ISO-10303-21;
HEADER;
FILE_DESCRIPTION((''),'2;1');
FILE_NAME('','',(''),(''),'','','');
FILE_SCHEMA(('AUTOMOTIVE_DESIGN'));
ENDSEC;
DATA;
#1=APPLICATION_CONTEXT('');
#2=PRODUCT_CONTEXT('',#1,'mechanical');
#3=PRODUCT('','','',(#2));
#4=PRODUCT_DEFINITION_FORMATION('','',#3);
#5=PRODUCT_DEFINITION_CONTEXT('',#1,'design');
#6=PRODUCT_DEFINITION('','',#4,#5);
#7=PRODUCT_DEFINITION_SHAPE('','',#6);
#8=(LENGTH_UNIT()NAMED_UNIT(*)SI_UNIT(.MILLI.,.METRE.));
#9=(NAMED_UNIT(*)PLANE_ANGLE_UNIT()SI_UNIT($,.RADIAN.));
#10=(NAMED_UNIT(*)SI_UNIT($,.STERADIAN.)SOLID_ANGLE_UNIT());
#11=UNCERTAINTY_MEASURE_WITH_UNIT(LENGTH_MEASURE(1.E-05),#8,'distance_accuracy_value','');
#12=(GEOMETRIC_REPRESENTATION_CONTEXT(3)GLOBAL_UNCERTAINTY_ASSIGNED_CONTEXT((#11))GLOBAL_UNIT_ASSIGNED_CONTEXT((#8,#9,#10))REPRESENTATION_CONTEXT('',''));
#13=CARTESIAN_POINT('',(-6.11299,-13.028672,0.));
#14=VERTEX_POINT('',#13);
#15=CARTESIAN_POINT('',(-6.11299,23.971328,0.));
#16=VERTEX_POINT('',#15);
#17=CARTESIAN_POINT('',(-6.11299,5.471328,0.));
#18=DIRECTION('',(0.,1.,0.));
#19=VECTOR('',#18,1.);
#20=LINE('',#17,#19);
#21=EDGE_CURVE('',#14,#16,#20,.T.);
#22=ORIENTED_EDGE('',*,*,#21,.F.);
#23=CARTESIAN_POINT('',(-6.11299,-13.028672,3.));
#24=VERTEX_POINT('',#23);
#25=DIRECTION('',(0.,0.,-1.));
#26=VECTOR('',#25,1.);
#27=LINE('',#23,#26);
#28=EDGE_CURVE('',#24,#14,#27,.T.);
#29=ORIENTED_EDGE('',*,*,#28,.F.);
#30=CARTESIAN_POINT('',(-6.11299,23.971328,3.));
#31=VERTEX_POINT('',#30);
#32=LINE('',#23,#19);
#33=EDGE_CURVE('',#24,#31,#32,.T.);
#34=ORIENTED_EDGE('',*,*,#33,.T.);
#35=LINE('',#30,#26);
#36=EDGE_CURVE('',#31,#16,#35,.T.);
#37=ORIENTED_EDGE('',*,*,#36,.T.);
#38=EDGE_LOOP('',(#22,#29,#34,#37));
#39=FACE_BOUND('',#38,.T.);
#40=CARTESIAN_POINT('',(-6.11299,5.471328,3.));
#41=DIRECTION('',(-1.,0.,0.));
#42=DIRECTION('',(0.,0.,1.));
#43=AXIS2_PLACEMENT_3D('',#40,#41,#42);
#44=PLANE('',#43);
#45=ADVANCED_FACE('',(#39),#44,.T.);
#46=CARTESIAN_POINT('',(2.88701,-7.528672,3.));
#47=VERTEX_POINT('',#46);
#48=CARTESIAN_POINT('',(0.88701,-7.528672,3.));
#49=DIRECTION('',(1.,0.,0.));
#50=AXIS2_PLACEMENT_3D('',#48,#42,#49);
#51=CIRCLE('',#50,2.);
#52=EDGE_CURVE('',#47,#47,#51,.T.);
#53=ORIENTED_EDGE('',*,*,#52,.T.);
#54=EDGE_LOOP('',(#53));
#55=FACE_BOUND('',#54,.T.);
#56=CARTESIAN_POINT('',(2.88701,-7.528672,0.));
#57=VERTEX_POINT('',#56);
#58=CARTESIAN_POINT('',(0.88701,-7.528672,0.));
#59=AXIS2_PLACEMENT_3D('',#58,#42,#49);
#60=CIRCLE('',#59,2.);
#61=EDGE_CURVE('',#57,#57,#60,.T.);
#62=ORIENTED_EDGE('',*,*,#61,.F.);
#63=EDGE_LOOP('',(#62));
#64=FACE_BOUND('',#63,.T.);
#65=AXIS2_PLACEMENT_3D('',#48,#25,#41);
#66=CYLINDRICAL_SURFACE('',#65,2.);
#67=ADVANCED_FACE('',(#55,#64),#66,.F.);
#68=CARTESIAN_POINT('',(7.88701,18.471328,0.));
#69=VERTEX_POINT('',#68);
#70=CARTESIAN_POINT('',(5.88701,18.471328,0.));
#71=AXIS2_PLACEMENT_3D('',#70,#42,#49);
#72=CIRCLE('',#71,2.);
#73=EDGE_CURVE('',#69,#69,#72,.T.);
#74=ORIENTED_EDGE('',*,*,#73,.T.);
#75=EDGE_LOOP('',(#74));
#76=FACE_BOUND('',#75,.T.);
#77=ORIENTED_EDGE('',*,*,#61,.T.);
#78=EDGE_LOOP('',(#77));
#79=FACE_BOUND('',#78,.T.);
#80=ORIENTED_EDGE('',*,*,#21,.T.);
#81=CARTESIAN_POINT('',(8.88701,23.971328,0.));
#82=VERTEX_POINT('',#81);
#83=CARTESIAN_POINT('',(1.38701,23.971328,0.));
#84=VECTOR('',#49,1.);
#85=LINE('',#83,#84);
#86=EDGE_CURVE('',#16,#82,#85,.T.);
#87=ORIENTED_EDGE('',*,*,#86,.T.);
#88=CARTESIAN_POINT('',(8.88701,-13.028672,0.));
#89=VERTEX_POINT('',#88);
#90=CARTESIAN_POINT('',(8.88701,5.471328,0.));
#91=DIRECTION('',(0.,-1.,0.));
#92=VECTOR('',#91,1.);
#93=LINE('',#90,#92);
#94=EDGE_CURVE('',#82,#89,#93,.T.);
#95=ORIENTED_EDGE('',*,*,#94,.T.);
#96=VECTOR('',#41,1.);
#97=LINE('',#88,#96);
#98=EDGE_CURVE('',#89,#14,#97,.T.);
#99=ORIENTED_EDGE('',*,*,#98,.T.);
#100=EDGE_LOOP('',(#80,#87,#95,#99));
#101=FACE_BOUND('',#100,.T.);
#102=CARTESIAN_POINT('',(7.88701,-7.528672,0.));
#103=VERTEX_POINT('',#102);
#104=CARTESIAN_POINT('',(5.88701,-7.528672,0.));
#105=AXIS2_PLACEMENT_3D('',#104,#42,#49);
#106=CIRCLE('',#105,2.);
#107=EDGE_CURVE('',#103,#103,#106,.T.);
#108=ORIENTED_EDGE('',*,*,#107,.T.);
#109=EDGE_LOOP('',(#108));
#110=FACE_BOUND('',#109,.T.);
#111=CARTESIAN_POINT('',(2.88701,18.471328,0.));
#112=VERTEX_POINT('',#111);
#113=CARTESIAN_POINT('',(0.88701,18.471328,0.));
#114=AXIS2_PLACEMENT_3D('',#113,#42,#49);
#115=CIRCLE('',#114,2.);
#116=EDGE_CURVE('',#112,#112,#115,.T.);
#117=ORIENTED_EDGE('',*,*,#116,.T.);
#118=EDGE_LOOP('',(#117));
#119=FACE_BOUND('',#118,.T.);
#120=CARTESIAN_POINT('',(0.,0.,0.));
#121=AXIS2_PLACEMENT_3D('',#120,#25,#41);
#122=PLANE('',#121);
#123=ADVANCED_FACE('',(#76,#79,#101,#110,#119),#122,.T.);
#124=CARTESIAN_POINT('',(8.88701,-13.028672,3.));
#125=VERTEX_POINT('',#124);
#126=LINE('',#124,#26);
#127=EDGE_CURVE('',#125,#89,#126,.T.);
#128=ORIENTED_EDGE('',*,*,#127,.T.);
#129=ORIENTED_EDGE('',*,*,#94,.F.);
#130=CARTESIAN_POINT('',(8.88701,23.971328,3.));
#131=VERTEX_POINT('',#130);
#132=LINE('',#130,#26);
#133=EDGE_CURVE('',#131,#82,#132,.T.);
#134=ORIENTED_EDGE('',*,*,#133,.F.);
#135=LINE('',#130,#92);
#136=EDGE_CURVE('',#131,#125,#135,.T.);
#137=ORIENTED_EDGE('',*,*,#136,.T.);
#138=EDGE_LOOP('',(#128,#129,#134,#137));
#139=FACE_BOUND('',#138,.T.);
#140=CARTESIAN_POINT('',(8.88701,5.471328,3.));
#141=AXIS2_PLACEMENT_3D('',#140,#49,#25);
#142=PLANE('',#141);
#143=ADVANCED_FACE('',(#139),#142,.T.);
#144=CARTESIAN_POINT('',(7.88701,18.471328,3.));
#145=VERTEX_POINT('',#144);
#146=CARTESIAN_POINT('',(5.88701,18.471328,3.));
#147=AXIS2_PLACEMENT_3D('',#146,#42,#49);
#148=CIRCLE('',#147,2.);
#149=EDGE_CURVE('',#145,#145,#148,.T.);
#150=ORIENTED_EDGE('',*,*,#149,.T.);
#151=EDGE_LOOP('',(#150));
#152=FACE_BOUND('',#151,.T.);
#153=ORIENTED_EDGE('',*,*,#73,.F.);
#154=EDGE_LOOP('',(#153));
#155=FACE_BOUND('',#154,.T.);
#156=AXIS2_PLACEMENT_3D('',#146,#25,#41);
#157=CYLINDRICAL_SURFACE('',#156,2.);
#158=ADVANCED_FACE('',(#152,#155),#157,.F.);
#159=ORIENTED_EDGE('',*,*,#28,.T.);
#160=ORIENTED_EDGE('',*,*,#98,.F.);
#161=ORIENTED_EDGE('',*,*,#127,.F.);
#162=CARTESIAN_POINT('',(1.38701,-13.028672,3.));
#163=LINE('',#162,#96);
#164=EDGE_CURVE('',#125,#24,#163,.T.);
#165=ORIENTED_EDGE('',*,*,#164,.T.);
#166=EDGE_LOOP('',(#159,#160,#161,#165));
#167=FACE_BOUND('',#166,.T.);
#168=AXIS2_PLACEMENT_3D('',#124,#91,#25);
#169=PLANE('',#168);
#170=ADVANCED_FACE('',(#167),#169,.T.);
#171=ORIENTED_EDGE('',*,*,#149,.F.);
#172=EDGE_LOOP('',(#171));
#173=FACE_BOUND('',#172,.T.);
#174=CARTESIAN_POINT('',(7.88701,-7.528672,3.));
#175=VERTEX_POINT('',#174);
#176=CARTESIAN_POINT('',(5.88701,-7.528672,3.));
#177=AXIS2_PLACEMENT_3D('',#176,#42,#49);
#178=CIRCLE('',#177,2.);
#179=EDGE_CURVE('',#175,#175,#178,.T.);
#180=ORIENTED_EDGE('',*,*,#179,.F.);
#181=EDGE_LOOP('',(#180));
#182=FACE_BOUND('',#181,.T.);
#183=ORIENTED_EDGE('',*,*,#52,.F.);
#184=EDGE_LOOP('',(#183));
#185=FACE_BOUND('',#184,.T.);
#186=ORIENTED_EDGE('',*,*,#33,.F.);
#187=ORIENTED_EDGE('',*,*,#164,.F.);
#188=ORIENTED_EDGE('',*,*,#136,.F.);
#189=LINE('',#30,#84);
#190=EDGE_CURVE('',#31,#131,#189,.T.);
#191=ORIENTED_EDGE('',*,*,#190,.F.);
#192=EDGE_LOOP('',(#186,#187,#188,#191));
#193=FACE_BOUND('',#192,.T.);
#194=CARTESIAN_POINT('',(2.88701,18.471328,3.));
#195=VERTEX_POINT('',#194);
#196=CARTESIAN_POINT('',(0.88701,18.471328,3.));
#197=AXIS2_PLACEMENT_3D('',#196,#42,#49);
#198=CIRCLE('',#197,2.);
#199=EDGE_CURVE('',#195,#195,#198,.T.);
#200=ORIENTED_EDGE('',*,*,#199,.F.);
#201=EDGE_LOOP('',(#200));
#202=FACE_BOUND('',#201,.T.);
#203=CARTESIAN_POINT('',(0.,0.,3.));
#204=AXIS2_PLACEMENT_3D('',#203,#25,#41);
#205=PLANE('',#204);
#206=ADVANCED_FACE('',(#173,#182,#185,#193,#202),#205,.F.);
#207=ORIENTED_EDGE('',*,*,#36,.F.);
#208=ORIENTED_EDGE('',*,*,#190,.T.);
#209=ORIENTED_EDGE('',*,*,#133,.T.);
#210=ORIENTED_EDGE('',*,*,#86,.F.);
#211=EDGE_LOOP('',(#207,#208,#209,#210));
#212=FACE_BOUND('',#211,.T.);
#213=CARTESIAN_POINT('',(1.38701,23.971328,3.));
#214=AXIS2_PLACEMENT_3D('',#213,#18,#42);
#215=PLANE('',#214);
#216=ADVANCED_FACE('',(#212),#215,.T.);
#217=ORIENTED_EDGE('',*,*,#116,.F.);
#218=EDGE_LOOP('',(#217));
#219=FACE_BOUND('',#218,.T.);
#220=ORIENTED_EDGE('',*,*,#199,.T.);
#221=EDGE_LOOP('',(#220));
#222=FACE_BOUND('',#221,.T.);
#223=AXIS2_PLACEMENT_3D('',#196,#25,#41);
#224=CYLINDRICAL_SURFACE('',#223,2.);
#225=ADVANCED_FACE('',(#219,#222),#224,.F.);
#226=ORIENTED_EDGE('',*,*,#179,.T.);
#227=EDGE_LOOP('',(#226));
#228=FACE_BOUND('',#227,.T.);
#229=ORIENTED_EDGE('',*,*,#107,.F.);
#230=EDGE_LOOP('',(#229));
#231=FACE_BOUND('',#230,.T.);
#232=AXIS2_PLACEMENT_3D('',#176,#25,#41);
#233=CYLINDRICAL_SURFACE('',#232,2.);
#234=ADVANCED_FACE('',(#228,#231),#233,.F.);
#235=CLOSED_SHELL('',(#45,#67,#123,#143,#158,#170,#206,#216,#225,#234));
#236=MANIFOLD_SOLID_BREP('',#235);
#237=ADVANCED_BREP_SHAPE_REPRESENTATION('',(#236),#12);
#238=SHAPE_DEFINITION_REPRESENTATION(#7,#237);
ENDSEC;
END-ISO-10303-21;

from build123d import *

# Parameters (mm, degrees)
ESBO_O1_R                = 2
RESSALTO_EXTRUS_O2_DEPTH = 3


with BuildPart() as part:
    # Esboço1 → Ressalto-extrusão2 (new body)
    with BuildSketch(Plane.XY):
        Polygon((-6.112990177, 5.471327808), (-6.112990177, 23.971327808), (1.387009823, 23.971327808), (8.887009823, 23.971327808), (8.887009823, 5.471327808), (8.887009823, -13.028672192), (1.387009823, -13.028672192), (-6.112990177, -13.028672192), align=None)
        with Locations((0.887009823, 18.471327808)):
            Circle(ESBO_O1_R, mode=Mode.SUBTRACT)
        with Locations((5.887009823, 18.471327808)):
            Circle(ESBO_O1_R, mode=Mode.SUBTRACT)
        with Locations((0.887009823, -7.528672192)):
            Circle(ESBO_O1_R, mode=Mode.SUBTRACT)
        with Locations((5.887009823, -7.528672192)):
            Circle(ESBO_O1_R, mode=Mode.SUBTRACT)
    extrude(amount=RESSALTO_EXTRUS_O2_DEPTH)


solid = part.part
